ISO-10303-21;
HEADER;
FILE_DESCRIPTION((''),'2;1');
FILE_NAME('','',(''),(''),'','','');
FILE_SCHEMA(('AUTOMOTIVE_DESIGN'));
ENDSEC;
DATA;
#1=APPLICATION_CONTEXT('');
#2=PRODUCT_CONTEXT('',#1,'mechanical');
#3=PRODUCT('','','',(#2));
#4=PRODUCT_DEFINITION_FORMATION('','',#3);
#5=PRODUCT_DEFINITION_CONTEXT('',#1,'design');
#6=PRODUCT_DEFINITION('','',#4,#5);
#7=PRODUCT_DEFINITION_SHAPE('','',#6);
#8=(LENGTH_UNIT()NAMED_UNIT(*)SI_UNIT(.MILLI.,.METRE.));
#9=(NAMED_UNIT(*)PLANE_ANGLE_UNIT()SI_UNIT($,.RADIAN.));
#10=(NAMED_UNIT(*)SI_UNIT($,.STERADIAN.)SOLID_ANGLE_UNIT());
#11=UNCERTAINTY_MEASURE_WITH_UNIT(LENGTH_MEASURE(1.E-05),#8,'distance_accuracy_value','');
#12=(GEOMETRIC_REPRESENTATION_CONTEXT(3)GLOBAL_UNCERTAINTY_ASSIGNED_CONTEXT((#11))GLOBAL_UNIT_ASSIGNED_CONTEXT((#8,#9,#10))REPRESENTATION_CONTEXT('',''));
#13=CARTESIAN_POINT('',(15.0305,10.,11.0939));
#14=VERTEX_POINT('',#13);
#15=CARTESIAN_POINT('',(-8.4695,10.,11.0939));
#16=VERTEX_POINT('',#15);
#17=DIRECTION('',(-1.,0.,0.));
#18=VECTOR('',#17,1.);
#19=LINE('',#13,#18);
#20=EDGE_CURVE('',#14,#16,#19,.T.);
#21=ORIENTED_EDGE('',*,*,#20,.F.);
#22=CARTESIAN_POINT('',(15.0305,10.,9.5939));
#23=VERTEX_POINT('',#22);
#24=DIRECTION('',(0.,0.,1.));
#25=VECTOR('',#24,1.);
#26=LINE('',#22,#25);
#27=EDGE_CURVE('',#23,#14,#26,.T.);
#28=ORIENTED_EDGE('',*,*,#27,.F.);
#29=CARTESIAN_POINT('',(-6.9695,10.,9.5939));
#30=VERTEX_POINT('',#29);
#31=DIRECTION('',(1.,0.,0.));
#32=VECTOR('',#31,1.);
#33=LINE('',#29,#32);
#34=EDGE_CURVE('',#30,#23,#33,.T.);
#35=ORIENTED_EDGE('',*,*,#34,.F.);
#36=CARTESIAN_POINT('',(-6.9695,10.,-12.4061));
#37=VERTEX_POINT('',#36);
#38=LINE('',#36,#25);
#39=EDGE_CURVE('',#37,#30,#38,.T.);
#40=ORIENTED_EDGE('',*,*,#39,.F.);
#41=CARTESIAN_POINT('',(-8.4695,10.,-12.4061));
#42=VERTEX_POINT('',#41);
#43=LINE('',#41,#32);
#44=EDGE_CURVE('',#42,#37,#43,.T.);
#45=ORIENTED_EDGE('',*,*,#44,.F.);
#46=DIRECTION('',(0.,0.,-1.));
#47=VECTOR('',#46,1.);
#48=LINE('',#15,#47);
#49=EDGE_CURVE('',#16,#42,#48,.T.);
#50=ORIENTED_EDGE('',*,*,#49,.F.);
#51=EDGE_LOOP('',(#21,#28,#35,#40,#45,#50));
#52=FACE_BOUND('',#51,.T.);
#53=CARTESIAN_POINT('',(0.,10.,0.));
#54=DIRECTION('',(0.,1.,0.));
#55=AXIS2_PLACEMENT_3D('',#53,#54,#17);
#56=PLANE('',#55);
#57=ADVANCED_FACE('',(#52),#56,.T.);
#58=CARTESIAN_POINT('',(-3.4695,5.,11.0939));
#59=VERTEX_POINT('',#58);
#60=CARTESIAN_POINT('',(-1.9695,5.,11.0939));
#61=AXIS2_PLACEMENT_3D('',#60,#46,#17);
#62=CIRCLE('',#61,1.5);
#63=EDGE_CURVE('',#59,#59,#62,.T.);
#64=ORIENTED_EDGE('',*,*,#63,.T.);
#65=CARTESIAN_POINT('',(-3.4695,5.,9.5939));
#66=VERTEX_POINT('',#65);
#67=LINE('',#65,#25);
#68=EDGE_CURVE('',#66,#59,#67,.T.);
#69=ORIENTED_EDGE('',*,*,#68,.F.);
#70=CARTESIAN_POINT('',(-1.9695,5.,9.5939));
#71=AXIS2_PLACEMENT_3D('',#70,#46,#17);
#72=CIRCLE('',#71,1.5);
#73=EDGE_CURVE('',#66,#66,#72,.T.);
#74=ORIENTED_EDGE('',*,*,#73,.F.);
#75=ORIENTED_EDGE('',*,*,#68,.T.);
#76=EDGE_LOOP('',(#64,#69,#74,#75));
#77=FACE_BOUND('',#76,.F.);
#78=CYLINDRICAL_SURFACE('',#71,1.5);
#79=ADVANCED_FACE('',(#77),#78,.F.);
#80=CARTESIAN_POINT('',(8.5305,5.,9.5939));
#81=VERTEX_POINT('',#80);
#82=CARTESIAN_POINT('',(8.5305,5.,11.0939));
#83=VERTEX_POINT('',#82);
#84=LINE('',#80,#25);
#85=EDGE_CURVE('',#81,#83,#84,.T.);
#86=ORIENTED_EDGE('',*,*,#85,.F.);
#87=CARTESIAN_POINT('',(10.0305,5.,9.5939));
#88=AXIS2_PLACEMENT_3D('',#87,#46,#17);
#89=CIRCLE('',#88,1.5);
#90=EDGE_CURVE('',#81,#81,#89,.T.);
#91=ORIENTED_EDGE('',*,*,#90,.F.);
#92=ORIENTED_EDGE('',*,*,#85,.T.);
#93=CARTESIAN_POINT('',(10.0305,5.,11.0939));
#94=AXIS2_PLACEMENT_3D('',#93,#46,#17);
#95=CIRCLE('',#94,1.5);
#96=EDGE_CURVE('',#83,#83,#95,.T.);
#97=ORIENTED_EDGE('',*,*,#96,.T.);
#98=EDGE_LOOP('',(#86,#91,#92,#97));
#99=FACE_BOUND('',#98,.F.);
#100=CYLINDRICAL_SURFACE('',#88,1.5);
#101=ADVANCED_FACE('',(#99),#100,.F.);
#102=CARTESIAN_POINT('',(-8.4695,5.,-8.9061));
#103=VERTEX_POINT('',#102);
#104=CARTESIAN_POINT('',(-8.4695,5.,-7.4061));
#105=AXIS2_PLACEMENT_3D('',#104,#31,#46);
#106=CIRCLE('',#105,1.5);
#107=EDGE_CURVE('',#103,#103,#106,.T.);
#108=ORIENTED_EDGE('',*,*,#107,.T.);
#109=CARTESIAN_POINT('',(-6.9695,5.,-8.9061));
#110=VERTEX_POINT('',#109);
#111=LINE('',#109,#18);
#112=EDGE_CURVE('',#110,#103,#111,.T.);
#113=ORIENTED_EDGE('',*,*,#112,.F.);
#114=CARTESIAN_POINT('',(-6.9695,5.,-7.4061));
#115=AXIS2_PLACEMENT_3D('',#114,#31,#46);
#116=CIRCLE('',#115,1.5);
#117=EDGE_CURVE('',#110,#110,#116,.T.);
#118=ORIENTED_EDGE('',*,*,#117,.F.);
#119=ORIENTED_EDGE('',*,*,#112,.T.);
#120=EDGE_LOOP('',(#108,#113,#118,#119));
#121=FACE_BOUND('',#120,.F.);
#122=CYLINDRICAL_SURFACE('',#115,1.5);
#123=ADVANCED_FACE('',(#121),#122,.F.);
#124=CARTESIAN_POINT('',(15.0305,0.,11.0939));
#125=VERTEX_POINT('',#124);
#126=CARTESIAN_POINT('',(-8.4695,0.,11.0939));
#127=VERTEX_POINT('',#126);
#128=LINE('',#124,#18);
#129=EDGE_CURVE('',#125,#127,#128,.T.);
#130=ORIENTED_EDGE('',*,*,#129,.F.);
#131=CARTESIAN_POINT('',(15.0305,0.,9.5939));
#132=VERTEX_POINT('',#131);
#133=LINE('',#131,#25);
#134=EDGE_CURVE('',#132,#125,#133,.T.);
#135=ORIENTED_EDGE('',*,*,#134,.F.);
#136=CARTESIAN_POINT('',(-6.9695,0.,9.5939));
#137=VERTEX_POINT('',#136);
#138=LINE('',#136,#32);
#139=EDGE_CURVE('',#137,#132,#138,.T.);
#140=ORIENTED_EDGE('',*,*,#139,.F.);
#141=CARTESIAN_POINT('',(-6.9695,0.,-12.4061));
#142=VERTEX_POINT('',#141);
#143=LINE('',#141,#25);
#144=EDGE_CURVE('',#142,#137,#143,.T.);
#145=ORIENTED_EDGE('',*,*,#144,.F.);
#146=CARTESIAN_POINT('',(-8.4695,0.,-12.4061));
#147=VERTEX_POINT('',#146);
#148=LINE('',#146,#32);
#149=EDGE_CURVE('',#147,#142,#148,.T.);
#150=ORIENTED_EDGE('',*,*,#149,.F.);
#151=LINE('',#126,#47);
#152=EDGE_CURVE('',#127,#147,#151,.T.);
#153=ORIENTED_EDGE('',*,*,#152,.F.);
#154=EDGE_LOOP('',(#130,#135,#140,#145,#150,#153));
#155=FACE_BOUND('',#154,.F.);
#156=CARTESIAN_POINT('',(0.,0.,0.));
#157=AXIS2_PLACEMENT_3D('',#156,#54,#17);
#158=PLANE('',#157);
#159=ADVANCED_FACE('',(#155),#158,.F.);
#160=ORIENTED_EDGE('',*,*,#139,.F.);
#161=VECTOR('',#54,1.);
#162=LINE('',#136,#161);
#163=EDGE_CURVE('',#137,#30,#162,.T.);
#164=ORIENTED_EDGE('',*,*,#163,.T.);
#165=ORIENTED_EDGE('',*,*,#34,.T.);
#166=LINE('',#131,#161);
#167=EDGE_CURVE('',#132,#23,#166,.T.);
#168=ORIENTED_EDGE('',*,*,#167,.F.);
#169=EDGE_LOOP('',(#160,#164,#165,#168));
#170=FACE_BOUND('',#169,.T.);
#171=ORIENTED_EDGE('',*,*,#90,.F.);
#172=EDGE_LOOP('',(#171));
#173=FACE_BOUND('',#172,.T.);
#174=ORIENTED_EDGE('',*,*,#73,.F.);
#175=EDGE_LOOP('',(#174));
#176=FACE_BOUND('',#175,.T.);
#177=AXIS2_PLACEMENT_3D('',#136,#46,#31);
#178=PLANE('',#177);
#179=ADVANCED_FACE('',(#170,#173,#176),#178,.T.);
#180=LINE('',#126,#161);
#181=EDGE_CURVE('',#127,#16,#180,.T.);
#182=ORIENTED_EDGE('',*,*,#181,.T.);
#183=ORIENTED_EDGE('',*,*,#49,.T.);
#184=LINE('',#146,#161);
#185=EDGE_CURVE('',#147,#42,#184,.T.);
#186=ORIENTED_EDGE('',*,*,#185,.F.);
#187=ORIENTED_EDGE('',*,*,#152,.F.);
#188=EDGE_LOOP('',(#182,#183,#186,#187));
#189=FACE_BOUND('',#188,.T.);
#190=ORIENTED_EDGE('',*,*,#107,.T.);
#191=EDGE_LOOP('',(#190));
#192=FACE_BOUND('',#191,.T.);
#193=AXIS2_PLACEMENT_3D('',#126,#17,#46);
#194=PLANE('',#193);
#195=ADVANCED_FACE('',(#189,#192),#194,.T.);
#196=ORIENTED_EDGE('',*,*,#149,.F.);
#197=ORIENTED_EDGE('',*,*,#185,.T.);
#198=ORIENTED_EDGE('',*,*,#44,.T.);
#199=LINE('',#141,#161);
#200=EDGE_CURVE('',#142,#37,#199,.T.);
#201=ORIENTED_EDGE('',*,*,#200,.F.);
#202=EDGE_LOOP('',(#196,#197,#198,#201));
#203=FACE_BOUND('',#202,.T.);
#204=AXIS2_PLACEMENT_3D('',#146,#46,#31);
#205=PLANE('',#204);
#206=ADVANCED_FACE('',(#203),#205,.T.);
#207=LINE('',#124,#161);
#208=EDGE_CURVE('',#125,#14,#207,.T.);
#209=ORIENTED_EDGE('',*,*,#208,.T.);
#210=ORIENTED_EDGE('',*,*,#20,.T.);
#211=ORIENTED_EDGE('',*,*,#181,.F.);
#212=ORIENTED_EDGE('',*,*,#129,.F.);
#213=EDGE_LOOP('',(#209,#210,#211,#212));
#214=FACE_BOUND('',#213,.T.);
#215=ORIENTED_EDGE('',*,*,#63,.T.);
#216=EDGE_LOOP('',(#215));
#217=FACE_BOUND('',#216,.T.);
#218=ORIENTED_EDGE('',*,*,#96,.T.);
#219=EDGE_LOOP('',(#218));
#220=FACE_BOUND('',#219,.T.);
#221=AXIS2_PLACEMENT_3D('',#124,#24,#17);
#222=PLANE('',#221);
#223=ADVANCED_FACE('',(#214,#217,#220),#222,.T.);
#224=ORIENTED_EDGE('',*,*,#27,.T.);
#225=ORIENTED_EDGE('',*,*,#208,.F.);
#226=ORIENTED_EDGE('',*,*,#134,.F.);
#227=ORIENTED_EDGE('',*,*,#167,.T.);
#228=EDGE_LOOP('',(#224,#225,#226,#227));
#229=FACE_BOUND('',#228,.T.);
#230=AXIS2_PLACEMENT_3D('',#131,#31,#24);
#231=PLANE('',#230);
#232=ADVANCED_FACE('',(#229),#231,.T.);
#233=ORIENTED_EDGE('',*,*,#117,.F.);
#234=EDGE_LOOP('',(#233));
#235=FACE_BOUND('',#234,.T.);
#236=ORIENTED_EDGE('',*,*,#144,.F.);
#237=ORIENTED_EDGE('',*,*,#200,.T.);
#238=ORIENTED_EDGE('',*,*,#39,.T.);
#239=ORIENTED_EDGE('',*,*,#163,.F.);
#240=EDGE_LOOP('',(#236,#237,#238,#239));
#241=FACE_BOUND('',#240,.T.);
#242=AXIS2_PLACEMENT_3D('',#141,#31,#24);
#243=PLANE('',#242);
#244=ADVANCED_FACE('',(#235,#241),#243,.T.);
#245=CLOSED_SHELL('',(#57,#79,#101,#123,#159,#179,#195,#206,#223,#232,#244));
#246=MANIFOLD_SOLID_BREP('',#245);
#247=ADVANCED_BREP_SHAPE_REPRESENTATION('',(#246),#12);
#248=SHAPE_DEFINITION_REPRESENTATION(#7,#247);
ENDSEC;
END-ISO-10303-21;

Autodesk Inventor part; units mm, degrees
ref_plane "YZ Plane" through (0, 0, 0) normal (1, 0, 0) x (0, 1, 0)
ref_plane "XZ Plane" through (0, 0, 0) normal (0, 1, 0) x (-1, 0, 0)
ref_plane "XY Plane" through (0, 0, 0) normal (0, 0, 1) x (1, 0, 0)
sketch "Sketch1" plane through (0, 0, 0) normal (0, 1, 0) x (-1, 0, 0)
  line L0 (-15.0305, 11.0939) -> (8.4695, 11.0939)
  line L1 (8.4695, 11.0939) -> (8.4695, -12.4061)
  line L2 (8.4695, -12.4061) -> (6.9695, -12.4061)
  line L3 (6.9695, -12.4061) -> (6.9695, 9.5939)
  line L4 (6.9695, 9.5939) -> (-15.0305, 9.5939)
  line L5 (-15.0305, 9.5939) -> (-15.0305, 11.0939)
  point P0 (0, 0)
  dimension "d0" = 23.5
  dimension "d1" = 23.5
  dimension "d2" = 1.5
  dimension "d3" = 1.5
extrude "Extrusion1" add sketch "Sketch1" along normal blind 10
sketch "Sketch2" plane through (15.0305, 0, 9.5939) normal (0, 0, -1) x (-1, 0, 0)
  circle A0 centre (5, 5) radius 1.5
  circle A1 centre (17, 5) radius 1.5
  line L0 (0, 10) -> (22, 10) projected
  line L1 (0, 0) -> (0, 10) projected
  line L2 (23.5, 0) -> (23.5, 10) projected
  point P0 (15.0305, 0)
  dimension "d6" = 3
  dimension "d7" = 3
  dimension "d8" = 5
  dimension "d9" = 5
  dimension "d10" = 5
  dimension "d11" = 6.5
extrude "Extrusion2" cut sketch "Sketch2" against normal up to next
sketch "Sketch3" plane through (-6.9695, 0, 9.5939) normal (1, 0, 0) x (0, 0, -1)
  circle A0 centre (17, 5) radius 1.5
  line L0 (0, 10) -> (22, 10) projected
  line L1 (-1.5, 0) -> (-1.5, 10) projected
  line L2 (22, 0) -> (22, 10) projected
  point P0 (9.5939, 0)
  dimension "d14" = 3
  dimension "d15" = 5
  dimension "d19" = 5
extrude "Extrusion3" cut sketch "Sketch3" against normal up to next
properties part number "equerre_basse"
